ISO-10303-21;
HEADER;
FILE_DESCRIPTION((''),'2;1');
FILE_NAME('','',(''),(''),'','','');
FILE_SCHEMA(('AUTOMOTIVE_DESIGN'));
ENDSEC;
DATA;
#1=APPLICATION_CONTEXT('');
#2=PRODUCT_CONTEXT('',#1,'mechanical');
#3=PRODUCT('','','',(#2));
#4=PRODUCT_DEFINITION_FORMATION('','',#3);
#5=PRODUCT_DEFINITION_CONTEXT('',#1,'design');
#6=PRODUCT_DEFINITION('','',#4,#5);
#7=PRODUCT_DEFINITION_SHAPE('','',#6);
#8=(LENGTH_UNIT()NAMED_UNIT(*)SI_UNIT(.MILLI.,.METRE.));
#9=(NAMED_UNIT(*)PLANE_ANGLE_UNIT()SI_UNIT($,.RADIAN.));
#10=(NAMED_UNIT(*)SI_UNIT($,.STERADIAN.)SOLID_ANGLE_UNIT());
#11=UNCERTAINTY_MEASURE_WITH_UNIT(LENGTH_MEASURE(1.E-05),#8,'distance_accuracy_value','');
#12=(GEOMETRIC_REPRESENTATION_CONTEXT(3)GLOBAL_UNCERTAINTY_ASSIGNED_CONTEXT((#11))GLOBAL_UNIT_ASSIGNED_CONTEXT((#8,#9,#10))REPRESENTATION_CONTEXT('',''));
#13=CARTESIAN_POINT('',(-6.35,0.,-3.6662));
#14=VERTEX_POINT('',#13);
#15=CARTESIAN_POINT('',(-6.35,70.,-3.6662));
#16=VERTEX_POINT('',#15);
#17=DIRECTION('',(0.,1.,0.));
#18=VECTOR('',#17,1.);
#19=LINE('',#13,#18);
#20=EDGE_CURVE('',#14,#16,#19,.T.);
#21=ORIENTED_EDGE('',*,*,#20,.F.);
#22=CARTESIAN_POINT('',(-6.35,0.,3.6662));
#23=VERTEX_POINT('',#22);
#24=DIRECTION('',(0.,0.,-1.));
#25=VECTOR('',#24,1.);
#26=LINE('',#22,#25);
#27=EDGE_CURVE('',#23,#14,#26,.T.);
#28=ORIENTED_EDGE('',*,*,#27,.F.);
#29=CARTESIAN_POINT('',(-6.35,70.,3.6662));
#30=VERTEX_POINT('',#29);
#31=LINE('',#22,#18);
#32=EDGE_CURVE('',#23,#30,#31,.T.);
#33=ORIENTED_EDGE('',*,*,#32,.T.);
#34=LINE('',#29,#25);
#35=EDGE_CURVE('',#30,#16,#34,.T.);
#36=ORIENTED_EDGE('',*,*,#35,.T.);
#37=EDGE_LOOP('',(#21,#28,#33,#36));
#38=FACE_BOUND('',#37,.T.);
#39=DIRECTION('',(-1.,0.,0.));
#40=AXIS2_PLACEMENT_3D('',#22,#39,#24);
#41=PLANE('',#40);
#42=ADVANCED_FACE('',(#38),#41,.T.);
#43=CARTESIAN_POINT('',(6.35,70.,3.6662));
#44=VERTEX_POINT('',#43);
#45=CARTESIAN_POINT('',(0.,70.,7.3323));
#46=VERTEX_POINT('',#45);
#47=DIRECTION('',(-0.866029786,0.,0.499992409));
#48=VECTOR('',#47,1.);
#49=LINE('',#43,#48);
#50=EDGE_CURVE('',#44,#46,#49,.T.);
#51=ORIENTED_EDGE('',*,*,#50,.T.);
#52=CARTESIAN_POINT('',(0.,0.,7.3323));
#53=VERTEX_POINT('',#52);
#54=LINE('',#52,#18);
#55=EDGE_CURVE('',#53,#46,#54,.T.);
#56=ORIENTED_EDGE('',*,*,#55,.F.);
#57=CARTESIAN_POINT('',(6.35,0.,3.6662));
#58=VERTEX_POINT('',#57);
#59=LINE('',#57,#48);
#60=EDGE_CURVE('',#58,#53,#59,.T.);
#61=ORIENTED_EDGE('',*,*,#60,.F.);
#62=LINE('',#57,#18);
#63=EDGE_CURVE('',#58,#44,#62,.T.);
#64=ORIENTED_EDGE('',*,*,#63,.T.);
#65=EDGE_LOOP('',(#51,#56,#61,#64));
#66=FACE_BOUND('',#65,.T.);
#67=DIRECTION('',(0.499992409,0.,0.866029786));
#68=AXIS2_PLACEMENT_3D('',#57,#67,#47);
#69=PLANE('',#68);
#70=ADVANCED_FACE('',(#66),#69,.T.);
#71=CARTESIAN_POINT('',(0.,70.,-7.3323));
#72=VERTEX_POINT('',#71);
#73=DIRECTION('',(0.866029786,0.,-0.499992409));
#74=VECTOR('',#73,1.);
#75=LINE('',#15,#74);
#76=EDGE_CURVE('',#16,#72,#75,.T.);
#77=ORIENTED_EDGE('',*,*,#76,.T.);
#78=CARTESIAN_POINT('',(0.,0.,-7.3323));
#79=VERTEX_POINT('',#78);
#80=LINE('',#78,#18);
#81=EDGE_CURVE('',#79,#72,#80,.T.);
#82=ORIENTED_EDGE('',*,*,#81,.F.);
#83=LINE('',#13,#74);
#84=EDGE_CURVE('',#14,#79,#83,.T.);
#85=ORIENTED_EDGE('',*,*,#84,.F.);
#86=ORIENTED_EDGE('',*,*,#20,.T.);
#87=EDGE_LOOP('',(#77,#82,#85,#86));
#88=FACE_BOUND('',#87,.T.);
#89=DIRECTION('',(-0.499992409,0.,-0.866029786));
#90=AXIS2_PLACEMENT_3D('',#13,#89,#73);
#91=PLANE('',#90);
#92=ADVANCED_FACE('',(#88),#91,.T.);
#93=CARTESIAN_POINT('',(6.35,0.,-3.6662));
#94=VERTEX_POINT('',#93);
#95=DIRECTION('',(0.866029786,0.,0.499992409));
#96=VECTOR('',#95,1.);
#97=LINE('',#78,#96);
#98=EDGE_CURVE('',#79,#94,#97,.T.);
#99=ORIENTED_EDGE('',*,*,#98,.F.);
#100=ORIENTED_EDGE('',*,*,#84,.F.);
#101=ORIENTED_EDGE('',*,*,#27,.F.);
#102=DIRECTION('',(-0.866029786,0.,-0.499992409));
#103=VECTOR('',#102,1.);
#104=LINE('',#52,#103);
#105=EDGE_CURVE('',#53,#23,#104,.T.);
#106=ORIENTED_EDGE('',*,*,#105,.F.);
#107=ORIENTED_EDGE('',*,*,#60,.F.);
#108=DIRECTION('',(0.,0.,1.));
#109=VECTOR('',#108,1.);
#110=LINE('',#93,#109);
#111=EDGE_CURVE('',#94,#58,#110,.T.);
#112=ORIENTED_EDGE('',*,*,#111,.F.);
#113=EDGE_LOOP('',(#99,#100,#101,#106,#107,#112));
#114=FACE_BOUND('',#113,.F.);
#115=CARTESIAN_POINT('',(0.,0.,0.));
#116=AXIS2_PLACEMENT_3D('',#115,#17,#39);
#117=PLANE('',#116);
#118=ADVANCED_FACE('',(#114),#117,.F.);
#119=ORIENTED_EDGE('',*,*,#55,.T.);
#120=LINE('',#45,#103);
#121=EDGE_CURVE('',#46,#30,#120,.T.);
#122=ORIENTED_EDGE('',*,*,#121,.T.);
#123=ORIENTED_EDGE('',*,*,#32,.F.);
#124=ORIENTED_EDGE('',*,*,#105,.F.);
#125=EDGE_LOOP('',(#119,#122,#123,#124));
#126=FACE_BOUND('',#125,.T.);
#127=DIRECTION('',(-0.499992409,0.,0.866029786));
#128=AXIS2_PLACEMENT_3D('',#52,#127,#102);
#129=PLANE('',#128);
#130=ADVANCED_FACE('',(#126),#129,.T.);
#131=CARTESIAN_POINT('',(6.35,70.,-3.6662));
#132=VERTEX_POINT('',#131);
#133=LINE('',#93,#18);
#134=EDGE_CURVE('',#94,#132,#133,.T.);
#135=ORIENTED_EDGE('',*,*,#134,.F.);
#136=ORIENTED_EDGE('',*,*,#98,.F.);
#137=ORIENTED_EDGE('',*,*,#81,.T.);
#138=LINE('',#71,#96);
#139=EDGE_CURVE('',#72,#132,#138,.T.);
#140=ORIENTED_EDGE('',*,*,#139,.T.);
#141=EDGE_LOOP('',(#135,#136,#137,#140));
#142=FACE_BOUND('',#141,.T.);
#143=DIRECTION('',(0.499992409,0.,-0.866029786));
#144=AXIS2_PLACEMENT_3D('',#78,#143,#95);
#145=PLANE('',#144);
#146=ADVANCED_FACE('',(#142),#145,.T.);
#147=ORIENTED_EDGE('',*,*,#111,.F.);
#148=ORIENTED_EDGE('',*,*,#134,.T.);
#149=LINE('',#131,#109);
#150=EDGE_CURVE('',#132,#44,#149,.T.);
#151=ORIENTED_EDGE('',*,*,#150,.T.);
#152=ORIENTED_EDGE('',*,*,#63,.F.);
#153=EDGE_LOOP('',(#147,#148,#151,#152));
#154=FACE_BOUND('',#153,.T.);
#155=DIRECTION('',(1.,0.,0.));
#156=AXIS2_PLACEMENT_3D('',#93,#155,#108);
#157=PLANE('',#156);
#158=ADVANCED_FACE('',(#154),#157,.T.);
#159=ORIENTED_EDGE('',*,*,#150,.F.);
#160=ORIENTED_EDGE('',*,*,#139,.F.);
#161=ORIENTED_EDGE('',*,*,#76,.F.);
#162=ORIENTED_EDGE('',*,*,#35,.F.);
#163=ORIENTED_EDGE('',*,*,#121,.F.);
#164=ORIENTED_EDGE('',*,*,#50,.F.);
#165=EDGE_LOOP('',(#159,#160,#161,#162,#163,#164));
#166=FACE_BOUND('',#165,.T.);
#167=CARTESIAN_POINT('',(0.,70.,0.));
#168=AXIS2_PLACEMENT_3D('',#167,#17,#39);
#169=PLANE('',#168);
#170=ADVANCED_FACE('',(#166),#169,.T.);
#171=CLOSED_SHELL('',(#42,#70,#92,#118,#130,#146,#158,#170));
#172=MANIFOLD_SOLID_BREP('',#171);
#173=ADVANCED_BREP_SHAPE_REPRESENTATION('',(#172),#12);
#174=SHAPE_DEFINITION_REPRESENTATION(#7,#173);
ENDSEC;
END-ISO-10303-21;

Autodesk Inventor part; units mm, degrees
ref_plane "YZ Plane" through (0, 0, 0) normal (1, 0, 0) x (0, 1, 0)
ref_plane "XZ Plane" through (0, 0, 0) normal (0, 1, 0) x (-1, 0, 0)
ref_plane "XY Plane" through (0, 0, 0) normal (0, 0, 1) x (1, 0, 0)
sketch "Esboço1" plane through (0, 0, 0) normal (0, 1, 0) x (-1, 0, 0)
  line L0 (0, -7.3323) -> (-6.35, -3.6662)
  line L1 (-6.35, -3.6662) -> (-6.35, 3.6662)
  line L2 (-6.35, 3.6662) -> (0, 7.3323)
  line L3 (0, 7.3323) -> (6.35, 3.6662)
  line L4 (6.35, 3.6662) -> (6.35, -3.6662)
  line L5 (6.35, -3.6662) -> (0, -7.3323)
  point P0 (0, 0)
  point P1 (0, 0)
  dimension "d0" = 12.7
extrude "Extrusão1" add sketch "Esboço1" along normal blind 70
properties part number "EIXO SEXTAVADO MOTOR"
